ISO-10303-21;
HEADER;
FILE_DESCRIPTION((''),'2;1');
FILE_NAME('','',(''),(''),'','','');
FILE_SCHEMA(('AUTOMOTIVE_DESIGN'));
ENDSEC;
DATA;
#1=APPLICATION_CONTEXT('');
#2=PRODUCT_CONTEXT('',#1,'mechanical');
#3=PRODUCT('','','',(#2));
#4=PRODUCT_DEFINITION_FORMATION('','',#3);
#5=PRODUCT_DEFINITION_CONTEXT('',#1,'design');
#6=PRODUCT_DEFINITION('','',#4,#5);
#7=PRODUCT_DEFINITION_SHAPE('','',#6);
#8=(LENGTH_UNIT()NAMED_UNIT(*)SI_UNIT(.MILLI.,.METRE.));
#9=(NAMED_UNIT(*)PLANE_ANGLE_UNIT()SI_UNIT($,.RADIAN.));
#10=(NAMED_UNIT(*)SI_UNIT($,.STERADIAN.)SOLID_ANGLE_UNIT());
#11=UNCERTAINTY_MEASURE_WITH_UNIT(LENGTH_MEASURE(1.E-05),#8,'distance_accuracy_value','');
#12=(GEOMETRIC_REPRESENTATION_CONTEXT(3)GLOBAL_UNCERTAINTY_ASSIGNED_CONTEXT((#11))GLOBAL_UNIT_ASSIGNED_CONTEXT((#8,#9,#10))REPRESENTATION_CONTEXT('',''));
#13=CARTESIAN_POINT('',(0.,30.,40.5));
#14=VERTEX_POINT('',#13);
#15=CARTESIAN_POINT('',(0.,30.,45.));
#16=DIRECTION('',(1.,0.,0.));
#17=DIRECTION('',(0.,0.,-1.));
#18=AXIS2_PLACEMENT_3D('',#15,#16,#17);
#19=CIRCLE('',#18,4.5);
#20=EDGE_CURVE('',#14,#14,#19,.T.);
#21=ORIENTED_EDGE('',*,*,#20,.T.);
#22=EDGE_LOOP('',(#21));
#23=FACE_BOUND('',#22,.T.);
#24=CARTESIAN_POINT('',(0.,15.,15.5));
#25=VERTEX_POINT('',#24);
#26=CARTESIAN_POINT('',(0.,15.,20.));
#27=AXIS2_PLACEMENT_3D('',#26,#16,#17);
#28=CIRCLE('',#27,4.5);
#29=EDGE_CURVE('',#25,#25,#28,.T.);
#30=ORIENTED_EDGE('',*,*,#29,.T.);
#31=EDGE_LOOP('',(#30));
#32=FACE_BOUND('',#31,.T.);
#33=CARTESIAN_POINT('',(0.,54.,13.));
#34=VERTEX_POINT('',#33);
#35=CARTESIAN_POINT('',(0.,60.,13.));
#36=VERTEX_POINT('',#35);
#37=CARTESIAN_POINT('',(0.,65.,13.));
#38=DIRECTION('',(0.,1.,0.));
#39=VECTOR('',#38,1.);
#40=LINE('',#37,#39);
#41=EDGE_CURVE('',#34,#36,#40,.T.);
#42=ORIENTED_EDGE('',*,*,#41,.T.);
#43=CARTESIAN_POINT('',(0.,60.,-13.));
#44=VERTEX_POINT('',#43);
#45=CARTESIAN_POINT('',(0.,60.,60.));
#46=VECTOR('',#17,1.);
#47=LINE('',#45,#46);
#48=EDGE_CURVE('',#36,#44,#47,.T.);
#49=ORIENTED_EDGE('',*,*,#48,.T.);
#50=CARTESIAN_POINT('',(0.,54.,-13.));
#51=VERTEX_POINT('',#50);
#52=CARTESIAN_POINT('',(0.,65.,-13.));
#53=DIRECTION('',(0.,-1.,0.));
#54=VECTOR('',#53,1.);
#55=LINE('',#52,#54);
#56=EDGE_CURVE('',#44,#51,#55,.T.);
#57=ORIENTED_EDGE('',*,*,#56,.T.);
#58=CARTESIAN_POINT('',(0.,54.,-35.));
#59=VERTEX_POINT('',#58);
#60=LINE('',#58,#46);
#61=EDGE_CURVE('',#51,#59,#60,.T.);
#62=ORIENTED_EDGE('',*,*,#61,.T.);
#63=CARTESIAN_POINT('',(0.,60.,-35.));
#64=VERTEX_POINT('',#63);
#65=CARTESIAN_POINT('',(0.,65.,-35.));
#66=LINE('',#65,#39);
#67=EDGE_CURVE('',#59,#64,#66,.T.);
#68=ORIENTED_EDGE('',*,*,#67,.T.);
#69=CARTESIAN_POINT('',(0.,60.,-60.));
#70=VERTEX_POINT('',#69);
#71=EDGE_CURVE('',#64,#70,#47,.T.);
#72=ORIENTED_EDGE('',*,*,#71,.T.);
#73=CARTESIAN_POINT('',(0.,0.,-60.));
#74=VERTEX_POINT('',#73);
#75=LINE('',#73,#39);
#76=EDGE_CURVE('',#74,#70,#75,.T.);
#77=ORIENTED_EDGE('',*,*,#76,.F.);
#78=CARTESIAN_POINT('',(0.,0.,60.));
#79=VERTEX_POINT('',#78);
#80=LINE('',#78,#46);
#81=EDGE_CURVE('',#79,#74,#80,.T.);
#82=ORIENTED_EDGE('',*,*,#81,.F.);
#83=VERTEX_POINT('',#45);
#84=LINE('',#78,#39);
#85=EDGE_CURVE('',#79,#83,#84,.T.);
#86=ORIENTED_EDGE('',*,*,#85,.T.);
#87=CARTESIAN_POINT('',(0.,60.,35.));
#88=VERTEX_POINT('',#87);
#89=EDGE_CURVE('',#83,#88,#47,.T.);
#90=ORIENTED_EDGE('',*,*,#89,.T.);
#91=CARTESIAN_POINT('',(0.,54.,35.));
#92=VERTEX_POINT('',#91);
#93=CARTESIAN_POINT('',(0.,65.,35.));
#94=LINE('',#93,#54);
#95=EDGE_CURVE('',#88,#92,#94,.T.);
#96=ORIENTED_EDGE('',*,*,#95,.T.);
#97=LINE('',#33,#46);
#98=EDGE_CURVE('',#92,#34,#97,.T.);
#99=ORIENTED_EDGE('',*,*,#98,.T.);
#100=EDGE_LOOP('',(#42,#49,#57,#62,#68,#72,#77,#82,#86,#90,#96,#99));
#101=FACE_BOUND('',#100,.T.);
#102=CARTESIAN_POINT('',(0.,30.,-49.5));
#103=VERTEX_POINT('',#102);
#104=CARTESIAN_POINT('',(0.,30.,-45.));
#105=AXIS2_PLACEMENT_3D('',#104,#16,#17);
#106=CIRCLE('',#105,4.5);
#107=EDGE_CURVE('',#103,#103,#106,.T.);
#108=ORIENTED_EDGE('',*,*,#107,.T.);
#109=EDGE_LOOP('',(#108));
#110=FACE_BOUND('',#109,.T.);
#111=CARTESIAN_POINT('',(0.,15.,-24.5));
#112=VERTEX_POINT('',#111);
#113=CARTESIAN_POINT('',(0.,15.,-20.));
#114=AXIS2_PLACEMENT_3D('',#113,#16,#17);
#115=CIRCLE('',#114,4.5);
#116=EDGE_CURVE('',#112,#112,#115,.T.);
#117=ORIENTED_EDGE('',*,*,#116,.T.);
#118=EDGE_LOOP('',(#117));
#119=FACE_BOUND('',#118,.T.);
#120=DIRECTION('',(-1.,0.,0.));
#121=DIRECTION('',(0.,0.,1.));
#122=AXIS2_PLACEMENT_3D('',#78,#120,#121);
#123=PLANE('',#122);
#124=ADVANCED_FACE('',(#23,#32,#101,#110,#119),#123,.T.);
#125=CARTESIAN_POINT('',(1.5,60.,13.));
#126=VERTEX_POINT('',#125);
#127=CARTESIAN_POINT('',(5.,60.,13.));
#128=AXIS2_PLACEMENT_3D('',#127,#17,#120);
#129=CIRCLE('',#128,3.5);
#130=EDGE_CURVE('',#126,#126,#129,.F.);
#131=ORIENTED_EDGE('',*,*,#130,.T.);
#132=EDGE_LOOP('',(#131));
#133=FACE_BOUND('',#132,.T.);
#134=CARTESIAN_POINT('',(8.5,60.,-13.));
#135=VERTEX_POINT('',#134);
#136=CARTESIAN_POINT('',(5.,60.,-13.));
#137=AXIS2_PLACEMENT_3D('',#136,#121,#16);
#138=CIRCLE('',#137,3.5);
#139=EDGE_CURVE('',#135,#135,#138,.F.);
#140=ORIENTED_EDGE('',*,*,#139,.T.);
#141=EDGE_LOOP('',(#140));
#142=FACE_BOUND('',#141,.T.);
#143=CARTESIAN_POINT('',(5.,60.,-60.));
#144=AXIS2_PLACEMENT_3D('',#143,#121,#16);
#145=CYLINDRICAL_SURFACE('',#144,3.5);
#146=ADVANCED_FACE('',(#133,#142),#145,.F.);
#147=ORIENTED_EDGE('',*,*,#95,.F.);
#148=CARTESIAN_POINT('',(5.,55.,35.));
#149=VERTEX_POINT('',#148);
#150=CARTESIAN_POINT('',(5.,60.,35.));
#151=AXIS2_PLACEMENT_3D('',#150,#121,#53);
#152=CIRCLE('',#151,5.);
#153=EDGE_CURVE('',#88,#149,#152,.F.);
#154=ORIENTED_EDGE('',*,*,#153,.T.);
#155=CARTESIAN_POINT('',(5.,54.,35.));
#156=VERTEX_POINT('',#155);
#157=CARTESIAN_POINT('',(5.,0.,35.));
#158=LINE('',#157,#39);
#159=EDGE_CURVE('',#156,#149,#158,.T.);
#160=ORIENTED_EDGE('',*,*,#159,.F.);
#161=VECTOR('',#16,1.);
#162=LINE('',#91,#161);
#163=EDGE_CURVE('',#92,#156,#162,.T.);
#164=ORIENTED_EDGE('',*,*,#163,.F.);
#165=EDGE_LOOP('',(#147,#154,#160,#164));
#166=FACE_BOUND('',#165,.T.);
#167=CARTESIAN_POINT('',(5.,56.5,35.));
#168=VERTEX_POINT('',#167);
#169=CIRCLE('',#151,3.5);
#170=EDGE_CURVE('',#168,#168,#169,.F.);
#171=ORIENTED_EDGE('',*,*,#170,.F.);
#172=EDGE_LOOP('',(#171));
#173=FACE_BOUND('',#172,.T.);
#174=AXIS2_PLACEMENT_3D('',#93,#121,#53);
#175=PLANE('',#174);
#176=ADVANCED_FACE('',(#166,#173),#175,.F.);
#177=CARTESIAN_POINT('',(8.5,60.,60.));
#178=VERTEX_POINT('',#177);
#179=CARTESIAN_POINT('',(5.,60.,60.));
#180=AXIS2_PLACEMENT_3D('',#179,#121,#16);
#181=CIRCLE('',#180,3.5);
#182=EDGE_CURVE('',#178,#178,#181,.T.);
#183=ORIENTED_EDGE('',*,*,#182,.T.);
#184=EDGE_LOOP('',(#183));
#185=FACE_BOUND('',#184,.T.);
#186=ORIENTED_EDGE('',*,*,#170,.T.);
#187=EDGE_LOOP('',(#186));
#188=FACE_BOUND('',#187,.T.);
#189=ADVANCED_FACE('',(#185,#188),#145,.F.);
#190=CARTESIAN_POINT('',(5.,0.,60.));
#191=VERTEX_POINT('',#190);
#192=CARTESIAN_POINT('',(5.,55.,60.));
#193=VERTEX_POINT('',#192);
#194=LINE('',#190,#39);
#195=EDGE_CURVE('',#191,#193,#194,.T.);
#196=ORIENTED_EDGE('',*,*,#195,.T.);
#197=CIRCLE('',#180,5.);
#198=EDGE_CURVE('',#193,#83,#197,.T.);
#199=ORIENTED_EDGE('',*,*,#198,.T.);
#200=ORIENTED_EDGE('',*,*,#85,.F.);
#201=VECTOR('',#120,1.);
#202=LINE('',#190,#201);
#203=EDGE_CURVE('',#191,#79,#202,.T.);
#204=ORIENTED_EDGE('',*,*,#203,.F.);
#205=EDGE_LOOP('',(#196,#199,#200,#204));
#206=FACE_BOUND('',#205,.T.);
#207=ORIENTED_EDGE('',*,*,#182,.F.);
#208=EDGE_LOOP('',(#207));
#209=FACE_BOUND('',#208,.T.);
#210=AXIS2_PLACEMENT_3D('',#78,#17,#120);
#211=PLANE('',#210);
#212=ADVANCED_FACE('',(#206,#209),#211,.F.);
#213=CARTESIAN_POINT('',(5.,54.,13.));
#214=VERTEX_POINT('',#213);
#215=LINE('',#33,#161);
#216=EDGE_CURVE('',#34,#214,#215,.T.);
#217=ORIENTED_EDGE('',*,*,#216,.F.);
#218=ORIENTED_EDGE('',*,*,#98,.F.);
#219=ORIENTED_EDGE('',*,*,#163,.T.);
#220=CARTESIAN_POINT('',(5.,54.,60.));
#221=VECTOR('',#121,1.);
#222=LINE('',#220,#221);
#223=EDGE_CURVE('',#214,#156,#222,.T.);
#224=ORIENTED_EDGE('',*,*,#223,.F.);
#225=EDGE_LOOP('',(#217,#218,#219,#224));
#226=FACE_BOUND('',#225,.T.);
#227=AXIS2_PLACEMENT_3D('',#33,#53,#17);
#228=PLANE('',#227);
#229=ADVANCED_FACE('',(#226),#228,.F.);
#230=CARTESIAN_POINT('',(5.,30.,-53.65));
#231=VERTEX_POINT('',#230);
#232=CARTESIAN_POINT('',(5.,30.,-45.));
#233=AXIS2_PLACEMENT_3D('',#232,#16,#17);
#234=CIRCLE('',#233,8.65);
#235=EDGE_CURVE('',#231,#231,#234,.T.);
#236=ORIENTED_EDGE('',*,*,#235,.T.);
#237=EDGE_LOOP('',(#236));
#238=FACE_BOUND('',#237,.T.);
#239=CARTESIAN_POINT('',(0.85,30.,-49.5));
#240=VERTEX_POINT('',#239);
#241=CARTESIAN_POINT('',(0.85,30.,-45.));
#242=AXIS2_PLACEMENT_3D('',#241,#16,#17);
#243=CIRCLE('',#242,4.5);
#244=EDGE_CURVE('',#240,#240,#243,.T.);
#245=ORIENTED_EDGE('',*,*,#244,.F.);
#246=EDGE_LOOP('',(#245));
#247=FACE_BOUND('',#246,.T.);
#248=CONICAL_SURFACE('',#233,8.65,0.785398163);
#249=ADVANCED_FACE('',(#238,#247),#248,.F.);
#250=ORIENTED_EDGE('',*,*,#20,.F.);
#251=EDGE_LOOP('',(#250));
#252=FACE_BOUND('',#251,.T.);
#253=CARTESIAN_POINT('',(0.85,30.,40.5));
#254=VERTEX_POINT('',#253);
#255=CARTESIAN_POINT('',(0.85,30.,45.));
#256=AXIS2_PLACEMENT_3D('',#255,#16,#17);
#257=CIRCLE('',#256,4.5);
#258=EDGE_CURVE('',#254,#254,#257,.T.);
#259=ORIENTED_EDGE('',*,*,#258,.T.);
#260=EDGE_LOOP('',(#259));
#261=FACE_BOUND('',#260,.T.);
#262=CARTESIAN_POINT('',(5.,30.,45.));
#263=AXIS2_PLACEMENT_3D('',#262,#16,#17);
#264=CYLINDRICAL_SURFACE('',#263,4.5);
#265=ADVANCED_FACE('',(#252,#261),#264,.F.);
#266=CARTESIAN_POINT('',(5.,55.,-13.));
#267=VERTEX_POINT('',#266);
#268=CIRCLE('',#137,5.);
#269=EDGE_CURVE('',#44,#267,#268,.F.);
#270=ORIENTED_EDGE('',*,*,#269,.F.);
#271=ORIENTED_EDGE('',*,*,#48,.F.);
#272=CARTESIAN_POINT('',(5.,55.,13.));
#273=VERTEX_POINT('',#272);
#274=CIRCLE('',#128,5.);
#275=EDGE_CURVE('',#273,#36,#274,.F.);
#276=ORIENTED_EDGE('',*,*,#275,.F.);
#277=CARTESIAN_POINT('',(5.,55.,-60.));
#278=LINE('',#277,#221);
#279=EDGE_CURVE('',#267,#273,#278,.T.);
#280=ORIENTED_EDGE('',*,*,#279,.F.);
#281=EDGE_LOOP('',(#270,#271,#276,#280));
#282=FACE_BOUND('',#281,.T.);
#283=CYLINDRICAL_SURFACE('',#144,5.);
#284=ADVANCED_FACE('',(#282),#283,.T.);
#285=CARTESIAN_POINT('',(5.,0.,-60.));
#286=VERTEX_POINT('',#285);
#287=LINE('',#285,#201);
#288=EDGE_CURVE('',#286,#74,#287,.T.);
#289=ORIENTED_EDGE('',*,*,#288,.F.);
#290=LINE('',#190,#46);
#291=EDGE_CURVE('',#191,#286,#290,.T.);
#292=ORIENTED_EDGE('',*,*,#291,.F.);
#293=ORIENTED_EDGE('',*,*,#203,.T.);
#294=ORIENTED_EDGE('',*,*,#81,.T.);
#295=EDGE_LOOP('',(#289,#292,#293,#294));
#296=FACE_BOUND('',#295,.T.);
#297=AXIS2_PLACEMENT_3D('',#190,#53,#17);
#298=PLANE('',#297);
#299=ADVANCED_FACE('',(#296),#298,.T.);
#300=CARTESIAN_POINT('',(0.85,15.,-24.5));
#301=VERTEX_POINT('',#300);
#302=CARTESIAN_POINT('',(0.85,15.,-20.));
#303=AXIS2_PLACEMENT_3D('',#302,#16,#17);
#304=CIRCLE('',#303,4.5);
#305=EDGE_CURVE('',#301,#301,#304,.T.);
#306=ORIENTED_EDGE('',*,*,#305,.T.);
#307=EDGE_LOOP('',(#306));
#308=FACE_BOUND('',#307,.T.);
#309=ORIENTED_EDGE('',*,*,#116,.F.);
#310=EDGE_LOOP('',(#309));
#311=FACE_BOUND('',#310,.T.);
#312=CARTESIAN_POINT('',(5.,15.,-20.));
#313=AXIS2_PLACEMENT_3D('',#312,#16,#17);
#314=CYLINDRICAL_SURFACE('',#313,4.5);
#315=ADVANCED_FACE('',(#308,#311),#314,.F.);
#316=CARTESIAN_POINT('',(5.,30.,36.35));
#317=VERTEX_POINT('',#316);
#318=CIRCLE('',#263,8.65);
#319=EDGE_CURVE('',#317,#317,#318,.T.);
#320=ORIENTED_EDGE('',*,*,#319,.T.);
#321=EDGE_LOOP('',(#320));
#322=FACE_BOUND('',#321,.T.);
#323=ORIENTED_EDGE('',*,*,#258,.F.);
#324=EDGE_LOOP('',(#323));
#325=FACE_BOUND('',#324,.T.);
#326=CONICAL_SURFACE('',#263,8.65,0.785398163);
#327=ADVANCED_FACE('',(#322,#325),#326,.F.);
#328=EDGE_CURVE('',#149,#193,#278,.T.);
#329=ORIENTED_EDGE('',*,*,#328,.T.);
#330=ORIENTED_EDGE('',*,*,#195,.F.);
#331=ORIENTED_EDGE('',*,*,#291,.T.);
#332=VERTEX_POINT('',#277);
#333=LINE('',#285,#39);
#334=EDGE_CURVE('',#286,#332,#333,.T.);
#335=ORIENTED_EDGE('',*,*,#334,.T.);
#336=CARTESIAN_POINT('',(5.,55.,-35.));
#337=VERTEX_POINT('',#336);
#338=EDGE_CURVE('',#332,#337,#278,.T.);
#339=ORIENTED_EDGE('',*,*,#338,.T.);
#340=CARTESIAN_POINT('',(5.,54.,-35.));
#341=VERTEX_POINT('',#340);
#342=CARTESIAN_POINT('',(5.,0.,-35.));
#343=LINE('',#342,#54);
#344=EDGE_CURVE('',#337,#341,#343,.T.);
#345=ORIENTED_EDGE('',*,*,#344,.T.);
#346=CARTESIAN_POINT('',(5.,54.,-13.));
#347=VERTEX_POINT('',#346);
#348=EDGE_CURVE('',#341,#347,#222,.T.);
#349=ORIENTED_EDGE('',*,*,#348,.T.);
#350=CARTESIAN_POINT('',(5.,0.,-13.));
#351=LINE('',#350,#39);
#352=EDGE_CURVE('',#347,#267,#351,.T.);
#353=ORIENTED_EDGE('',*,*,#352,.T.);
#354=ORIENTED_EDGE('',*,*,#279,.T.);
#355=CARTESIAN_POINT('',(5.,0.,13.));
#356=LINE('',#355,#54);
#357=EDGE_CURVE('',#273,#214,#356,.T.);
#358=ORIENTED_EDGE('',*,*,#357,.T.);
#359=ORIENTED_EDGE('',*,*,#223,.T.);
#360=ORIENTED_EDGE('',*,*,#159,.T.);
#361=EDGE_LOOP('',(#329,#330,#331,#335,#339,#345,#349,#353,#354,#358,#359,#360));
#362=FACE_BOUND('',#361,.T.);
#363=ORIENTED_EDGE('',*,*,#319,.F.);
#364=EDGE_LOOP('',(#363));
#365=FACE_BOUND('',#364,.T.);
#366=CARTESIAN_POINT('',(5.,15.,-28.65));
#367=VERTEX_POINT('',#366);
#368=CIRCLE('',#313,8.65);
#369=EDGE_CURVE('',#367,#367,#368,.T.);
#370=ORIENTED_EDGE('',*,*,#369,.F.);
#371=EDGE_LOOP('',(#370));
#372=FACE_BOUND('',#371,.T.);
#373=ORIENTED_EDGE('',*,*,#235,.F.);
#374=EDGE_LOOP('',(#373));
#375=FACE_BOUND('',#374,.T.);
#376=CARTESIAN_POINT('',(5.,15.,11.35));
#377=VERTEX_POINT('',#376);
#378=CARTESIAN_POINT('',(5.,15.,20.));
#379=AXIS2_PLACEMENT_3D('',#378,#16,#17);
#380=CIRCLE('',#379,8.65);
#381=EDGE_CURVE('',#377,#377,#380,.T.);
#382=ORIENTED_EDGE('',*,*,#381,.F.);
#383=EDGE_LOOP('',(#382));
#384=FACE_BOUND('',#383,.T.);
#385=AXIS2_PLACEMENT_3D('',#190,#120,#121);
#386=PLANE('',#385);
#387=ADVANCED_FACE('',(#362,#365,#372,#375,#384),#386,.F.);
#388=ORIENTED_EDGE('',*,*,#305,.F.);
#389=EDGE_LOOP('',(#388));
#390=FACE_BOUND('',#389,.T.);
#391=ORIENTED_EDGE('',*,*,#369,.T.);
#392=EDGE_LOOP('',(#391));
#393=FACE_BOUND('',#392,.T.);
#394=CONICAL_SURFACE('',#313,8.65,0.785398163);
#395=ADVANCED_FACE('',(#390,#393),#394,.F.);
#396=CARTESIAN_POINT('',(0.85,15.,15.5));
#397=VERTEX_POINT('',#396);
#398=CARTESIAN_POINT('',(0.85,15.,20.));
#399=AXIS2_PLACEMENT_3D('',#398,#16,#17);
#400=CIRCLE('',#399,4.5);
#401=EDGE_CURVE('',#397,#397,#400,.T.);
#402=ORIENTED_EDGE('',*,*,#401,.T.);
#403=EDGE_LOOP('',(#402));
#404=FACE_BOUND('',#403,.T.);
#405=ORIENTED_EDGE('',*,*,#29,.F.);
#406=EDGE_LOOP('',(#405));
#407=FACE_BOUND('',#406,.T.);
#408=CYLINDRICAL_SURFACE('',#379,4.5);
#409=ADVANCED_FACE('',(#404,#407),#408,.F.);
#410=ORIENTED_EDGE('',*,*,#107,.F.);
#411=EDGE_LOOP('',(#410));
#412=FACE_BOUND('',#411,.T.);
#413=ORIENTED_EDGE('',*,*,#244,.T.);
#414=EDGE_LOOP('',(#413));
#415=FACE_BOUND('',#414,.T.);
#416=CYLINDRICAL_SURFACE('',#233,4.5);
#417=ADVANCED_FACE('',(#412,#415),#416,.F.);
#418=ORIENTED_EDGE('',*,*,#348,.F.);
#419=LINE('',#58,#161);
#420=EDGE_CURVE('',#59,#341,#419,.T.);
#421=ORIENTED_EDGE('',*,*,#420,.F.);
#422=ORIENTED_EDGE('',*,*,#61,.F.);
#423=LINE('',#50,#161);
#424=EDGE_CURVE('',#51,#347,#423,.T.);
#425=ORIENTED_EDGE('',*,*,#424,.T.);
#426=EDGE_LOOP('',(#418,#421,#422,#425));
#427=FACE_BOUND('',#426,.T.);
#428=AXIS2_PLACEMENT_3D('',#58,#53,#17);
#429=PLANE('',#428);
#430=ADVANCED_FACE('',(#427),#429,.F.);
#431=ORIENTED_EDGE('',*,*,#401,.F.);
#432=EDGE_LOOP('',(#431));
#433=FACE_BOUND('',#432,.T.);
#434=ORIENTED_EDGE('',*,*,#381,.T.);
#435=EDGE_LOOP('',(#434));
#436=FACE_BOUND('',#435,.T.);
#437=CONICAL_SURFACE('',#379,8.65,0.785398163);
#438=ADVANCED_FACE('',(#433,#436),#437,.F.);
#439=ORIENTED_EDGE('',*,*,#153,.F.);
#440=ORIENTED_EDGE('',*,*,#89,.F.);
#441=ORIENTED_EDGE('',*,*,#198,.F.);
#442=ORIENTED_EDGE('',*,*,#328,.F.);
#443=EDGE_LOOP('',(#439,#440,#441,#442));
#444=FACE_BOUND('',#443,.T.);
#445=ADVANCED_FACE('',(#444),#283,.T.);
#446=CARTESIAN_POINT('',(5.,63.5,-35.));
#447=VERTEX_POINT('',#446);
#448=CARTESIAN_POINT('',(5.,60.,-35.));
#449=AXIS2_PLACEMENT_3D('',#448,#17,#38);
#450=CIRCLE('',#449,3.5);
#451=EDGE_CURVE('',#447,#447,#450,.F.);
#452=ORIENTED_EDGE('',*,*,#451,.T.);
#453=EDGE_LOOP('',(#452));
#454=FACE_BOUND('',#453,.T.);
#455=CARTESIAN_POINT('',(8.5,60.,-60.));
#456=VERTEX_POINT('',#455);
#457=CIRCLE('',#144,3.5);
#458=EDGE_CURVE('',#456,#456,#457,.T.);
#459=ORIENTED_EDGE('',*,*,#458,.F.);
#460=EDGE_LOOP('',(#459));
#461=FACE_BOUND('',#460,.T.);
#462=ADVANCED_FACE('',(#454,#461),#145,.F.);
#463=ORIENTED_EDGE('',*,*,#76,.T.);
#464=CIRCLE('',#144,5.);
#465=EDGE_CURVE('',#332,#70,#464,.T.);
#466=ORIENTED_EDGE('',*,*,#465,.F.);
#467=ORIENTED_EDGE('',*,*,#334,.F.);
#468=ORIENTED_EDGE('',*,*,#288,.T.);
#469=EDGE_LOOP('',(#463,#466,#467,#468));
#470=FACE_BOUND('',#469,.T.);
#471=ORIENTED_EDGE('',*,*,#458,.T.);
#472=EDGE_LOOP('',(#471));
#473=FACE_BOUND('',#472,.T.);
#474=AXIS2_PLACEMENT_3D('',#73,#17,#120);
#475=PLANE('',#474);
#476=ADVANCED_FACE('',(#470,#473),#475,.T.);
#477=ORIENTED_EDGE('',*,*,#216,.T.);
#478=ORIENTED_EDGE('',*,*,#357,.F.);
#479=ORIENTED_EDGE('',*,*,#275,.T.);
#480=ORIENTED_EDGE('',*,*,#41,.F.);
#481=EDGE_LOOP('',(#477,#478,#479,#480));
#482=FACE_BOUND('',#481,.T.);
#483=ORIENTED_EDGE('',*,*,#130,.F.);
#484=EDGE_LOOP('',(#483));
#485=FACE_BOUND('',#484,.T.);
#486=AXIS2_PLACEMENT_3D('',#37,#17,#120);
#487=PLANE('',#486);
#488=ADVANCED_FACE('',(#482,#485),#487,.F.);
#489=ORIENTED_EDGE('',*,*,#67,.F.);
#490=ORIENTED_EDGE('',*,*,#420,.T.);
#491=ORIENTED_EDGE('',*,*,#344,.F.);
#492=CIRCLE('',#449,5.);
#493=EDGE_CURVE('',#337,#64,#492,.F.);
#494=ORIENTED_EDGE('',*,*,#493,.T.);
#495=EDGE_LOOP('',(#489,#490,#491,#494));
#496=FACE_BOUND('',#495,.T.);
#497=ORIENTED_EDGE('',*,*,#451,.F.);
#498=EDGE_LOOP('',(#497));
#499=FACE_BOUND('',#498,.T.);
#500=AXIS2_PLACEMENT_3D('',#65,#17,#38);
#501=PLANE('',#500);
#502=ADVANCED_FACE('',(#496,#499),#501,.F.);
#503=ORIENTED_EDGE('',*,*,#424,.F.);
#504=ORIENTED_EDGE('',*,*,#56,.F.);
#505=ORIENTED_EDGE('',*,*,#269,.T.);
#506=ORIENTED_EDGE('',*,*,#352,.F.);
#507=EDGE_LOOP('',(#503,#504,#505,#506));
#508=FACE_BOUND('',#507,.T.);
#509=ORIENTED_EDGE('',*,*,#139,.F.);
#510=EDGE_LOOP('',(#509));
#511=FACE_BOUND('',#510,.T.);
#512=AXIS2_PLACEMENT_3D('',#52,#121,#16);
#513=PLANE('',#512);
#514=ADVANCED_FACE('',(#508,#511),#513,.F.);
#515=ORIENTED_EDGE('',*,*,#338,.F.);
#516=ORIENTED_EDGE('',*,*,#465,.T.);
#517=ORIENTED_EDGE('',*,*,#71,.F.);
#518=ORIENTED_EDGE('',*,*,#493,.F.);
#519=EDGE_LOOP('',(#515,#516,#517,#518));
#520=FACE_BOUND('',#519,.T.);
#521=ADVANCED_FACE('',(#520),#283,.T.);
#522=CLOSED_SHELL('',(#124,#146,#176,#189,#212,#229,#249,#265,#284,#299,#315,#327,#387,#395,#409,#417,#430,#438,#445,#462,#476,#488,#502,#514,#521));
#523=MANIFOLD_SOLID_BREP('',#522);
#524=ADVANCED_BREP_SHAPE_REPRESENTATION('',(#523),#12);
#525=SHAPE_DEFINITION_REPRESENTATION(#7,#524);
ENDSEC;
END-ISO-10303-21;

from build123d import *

# Parameters (mm, degrees)
SKETCH_1_W                 = 5
SKETCH_1_H                 = 60
EXTRUDE_1_DEPTH            = 60
SKETCH_2_R                 = 5
SKETCH_4_R                 = 3.5
CUT_EXTRUDE_1_DEPTH        = 137.839321834
HOLE_WIZARD_M81_AT_2_COUNT = 2
HOLE_WIZARD_M81_AT_2_PITCH = 29.154759474
CUT_EXTRUDE_3_DEPTH        = 89.600225733
CUT_EXTRUDE_3_DEPTH_BACK   = 89.600225733
SKETCH_8_W                 = 22
SKETCH_8_H                 = 11


with BuildPart() as part:
    # Эскиз1 → Вытянуть-Тонкостенный1 (new, symmetric)
    with BuildSketch(Plane.XY):
        with Locations((2.5, 30)):
            Rectangle(SKETCH_1_W, SKETCH_1_H)
    extrude(amount=EXTRUDE_1_DEPTH, both=True)

    # По траектории1: sweep along a curve in space
    with BuildLine() as sweep_1_path:
        Line((5, 60, 60), (5, 60, -60))
    # Эскиз2 → По траектории1 (sweep)
    with BuildSketch(Plane.XY.offset(60)):
        with Locations((5, 60)):
            Circle(SKETCH_2_R)
    sweep(path=sweep_1_path.line)

    # Эскиз4 → Вырез-Вытянуть1 (cut, through all)
    with BuildSketch(Plane.XY.offset(60)):
        with Locations((5, 60)):
            Circle(SKETCH_4_R)
    extrude(amount=-CUT_EXTRUDE_1_DEPTH, mode=Mode.SUBTRACT)

    # Эскиз5 → Зенковка для  винта с плоской головкой M81 (revolve, cut)
    with BuildSketch(Plane(origin=(5, 30, 45), x_dir=(0, 0, -1), z_dir=(0, 1, 0))):
        Polygon((0, 0), (0, 5), (4.5, 5), (4.5, 4.15), (8.65, 0), align=None)
    hole_wizard_m81 = revolve(axis=Axis((11.35, 30, 45), (-1, 0, 0)), mode=Mode.SUBTRACT)

    # Зенковка для  винта с плоской головкой M81 at 2: Зенковка для  винта с плоской головкой M81 ×2
    with Locations(*[Vector(0, -0.5144957554275265, -0.8574929257125442) * (i * HOLE_WIZARD_M81_AT_2_PITCH) for i in range(1, HOLE_WIZARD_M81_AT_2_COUNT)]):
        add(hole_wizard_m81, mode=Mode.SUBTRACT)

    # Зеркальное отражение1: Зенковка для  винта с плоской головкой M81 across plane
    add(hole_wizard_m81.mirror(Plane.XY), mode=Mode.SUBTRACT)

    # Зеркальное отражение1 copy 1 sketch → Зеркальное отражение1 copy 1 (revolve, cut)
    with BuildSketch(Plane(origin=(5, 15, -20), x_dir=(0, 0, 1), z_dir=(0, 1, 0))):
        Polygon((0, 0), (0, -5), (4.5, -5), (4.5, -4.15), (8.65, 0), align=None)
    revolve(axis=Axis((11.35, 15, -20), (1, 0, 0)), mode=Mode.SUBTRACT)

    # Эскиз8 → Вырез-Вытянуть3 (cut, two sides: drawn at the far end of the back side and taken through both)
    with BuildSketch(Plane(origin=(5, 0, 0), x_dir=(0, 0, -1), z_dir=(1, 0, 0)).offset(-CUT_EXTRUDE_3_DEPTH_BACK)):
        with Locations((-24, 59.5)):
            Rectangle(SKETCH_8_W, SKETCH_8_H)
        with Locations((24, 59.5)):
            Rectangle(SKETCH_8_W, SKETCH_8_H)
    extrude(amount=CUT_EXTRUDE_3_DEPTH + CUT_EXTRUDE_3_DEPTH_BACK, mode=Mode.SUBTRACT)


solid = part.part
